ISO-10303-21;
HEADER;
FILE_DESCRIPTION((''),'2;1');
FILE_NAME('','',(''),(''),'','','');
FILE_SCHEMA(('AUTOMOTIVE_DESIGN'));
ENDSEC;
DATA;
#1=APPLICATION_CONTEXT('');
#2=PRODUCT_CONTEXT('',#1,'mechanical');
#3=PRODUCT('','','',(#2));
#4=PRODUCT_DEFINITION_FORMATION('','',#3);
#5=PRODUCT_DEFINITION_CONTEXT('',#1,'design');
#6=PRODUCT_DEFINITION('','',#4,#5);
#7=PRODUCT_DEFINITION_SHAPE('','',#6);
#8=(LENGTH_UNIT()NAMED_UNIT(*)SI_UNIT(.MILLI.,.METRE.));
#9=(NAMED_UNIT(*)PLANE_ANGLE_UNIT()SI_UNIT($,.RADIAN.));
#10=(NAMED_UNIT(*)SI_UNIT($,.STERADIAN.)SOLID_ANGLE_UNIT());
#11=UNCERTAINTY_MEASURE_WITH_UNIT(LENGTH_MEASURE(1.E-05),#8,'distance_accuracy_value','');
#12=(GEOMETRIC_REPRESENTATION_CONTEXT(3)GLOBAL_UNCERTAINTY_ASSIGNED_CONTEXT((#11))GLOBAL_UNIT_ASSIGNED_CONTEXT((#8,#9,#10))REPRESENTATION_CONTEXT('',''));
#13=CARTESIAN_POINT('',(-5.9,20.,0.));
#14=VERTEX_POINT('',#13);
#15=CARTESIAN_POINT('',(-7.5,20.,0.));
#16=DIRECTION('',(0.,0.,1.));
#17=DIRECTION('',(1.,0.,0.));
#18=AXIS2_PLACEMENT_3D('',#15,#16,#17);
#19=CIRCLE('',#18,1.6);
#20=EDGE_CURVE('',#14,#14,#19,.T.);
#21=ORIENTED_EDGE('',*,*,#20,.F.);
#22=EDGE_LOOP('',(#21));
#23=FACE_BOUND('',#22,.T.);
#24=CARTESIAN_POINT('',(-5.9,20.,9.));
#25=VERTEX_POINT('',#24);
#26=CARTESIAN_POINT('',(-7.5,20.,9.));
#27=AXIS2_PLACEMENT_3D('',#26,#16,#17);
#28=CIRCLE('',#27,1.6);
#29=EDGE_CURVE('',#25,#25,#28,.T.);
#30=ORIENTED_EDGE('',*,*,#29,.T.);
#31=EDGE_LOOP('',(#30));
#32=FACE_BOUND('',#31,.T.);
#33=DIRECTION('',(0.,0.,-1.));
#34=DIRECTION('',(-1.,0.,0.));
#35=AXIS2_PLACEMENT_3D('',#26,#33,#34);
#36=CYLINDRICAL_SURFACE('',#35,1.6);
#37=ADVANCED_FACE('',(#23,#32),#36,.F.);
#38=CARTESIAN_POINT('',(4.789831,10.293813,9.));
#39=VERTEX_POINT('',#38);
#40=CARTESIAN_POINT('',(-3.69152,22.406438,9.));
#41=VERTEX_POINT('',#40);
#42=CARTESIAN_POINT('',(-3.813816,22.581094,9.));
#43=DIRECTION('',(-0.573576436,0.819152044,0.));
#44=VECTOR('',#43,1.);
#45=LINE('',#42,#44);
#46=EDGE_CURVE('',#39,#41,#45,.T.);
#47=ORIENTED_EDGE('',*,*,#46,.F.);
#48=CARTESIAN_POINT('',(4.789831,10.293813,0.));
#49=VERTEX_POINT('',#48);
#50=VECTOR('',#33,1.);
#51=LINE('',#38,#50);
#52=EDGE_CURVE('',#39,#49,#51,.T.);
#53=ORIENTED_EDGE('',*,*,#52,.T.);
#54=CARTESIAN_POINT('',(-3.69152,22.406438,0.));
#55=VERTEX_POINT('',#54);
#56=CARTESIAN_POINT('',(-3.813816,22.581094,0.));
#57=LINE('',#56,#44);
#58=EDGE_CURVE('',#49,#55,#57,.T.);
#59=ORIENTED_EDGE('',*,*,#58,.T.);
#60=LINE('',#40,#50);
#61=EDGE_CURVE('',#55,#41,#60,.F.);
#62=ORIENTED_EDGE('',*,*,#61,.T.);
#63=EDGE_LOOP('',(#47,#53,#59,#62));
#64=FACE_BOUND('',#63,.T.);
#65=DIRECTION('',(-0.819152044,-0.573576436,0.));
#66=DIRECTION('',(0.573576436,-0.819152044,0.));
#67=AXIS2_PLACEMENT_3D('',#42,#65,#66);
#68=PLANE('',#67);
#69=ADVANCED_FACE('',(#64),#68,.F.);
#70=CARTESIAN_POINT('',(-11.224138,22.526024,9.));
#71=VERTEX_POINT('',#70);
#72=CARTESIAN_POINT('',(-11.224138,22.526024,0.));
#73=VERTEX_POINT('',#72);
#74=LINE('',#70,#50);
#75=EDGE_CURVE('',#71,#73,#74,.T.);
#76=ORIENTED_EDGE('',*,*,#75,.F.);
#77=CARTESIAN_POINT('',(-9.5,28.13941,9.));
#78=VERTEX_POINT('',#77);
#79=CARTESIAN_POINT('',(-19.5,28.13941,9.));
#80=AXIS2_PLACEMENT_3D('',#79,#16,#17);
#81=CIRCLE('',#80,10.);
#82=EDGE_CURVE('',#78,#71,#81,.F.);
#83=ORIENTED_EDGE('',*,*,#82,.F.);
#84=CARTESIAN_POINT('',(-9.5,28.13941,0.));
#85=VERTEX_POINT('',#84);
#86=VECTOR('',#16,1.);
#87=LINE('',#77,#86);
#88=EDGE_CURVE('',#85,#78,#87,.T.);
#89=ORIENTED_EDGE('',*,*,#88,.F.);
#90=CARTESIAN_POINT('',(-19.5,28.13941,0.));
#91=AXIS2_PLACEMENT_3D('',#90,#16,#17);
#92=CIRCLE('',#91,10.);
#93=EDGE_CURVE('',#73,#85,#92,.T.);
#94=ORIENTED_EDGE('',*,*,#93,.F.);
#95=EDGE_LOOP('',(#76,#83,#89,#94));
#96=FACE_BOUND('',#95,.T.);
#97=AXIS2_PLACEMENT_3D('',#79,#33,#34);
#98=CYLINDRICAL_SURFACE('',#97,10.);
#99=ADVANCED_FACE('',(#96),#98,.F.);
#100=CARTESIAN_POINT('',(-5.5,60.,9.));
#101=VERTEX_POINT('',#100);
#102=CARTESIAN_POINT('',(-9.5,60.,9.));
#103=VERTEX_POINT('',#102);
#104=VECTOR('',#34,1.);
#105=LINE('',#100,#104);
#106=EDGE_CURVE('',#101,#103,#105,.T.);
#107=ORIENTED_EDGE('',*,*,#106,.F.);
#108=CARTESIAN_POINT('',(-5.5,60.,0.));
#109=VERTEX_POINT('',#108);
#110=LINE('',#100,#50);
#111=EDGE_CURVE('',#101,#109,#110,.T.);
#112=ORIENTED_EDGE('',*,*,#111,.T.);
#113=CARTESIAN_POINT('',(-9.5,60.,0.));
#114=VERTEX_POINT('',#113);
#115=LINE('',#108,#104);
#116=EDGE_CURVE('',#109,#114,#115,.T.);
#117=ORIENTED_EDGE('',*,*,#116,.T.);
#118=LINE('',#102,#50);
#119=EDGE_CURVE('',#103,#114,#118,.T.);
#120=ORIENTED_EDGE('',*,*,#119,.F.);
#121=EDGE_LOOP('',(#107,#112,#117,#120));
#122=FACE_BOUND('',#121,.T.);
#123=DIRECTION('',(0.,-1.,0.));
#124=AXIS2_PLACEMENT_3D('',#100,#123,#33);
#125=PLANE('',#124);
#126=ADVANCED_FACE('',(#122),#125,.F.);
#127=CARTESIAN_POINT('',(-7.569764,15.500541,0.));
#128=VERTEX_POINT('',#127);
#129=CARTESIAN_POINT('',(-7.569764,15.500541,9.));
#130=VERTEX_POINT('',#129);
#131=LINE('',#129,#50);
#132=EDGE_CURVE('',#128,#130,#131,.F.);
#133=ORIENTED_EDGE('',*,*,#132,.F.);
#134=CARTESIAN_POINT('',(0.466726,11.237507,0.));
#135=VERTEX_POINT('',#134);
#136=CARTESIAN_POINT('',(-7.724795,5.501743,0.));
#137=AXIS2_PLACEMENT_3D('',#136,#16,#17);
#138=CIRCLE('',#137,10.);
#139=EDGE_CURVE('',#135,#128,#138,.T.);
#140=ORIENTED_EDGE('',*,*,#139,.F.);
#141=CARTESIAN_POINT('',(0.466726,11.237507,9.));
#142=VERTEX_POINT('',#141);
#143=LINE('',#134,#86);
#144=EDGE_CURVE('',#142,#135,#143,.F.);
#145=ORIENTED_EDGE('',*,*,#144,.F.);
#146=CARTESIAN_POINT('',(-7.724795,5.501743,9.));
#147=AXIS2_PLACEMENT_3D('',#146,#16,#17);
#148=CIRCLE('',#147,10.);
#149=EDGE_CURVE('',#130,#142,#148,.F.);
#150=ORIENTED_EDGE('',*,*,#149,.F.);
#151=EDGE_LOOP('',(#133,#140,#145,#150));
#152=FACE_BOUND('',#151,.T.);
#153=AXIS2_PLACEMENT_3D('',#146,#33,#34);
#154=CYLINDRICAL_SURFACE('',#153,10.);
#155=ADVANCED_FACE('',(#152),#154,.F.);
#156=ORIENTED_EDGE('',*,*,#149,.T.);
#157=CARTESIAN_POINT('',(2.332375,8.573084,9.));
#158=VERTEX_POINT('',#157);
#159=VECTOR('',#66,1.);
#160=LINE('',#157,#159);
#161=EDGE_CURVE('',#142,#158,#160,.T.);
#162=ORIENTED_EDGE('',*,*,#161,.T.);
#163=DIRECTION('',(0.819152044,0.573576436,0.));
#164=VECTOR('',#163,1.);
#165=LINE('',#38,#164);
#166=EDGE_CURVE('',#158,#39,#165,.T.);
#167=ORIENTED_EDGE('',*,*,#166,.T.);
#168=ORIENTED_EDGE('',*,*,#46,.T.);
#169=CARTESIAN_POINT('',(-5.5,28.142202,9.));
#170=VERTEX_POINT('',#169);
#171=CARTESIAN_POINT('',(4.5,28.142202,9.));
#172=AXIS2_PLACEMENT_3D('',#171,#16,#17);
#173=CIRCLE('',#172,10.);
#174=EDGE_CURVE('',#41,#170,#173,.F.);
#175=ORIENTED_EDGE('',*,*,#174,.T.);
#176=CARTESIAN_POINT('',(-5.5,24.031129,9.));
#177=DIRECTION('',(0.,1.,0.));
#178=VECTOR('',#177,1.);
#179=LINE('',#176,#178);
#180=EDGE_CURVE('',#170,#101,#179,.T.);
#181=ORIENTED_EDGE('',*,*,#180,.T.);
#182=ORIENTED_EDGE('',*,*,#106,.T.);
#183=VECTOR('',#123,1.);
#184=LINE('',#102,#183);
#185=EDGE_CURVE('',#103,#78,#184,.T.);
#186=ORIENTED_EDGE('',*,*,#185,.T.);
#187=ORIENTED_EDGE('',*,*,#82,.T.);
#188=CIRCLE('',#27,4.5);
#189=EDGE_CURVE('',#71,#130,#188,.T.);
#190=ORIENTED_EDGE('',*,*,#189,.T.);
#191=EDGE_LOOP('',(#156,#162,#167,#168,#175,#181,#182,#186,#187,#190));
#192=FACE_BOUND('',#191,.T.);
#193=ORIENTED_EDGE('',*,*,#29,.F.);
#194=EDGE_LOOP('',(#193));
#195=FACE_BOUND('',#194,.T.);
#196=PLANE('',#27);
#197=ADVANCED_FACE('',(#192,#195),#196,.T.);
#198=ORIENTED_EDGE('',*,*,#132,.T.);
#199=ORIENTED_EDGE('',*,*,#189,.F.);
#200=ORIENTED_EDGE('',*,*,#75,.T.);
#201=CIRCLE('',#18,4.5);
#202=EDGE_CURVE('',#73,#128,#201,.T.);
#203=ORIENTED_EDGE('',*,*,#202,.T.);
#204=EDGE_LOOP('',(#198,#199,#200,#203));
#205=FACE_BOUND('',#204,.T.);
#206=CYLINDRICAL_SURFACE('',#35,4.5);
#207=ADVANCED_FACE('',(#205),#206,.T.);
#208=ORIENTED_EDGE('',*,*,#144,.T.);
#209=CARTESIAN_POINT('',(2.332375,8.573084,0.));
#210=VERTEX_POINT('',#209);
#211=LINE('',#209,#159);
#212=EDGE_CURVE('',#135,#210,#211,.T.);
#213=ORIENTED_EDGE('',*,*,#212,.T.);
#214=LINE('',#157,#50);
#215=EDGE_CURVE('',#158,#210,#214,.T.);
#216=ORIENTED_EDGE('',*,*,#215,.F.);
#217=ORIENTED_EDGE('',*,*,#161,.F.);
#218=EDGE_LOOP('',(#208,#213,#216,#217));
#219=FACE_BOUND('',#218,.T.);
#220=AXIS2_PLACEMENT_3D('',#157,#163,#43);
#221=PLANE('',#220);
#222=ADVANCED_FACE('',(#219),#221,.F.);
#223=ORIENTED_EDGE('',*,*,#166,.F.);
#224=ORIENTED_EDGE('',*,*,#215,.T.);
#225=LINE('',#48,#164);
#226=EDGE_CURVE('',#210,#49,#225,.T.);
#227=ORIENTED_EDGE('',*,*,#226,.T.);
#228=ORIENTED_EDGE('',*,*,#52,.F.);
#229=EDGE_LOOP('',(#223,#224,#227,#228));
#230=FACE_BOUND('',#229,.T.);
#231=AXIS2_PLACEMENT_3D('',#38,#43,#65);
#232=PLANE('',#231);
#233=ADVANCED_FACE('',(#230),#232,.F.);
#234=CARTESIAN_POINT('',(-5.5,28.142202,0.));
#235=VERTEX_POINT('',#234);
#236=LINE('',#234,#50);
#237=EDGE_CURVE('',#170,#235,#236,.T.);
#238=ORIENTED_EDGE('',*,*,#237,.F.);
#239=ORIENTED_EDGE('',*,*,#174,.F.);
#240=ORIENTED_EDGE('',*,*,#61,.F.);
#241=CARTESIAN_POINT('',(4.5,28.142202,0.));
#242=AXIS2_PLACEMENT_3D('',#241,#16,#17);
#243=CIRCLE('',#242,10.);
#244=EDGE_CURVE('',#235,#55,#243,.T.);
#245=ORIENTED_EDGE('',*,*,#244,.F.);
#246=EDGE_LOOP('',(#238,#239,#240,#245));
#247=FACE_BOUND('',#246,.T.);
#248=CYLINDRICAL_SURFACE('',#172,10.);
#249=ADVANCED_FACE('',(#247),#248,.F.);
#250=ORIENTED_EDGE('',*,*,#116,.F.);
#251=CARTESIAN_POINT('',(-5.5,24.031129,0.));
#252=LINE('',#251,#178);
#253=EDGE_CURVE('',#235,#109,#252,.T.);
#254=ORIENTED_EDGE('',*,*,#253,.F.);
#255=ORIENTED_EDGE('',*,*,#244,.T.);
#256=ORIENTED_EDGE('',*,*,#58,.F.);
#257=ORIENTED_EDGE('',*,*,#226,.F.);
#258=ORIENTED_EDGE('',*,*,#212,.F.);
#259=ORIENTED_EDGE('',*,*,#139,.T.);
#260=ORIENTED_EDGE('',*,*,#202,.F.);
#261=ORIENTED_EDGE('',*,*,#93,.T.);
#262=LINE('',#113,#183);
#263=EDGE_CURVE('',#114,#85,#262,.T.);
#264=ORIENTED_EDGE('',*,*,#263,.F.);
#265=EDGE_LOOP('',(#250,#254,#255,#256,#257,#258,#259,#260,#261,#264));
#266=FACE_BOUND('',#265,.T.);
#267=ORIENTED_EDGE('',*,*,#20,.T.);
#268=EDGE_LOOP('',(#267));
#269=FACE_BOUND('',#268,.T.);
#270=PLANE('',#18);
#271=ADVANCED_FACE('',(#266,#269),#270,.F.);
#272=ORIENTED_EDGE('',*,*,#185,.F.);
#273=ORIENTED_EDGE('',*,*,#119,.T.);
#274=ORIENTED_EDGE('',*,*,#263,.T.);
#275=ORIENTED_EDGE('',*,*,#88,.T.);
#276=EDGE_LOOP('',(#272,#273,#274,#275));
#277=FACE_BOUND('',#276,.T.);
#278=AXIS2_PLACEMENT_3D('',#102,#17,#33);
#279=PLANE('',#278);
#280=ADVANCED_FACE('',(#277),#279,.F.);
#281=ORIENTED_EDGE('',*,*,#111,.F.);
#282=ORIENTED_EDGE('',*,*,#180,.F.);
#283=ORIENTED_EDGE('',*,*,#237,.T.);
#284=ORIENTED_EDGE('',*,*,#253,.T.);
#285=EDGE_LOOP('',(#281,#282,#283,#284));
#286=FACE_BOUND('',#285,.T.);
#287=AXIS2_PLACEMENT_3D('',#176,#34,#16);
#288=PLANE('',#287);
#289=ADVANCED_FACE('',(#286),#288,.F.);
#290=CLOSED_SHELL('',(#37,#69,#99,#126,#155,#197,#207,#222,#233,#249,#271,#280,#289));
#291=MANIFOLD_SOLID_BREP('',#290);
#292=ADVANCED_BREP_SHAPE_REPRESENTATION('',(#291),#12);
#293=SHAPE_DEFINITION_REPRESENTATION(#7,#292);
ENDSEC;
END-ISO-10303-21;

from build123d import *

# Parameters (mm, degrees)
SKETCH1_R           = 1.6
BOSS_EXTRUDE1_DEPTH = 9
FILLET1_R           = 10


with BuildPart() as part:
    # Sketch1 → Boss-Extrude1 (new body)
    with BuildSketch(Plane.XY):
        with BuildLine():
            Line((-3.813815801, 22.581093964), (4.789830745, 10.293813299))
            Line((4.789830745, 10.293813299), (2.332374612, 8.57308399))
            Line((2.332374612, 8.57308399), (-3.837793208, 17.384996862))
            ThreePointArc((-3.837793208, 17.384996862), (-10.92541976, 17.081695789), (-9.5, 24.031128874))
            Line((-9.5, 24.031128874), (-9.5, 60))
            Line((-9.5, 60), (-5.5, 60))
            Line((-5.5, 60), (-5.5, 24.031128874))
            ThreePointArc((-5.5, 24.031128874), (-4.565920417, 23.41191691), (-3.813815801, 22.581093964))
        make_face()
        with Locations((-7.5, 20)):
            Circle(SKETCH1_R, mode=Mode.SUBTRACT)
    extrude(amount=BOSS_EXTRUDE1_DEPTH)

    # Fillet1
    fillet1_edges = [part.edges().sort_by_distance(p)[0] for p in [
        (-3.837793208, 17.384996862, 4.5),
        (-9.5, 24.031128874, 4.5),
        (-5.5, 24.031128874, 4.5),
    ]]
    fillet(fillet1_edges, radius=FILLET1_R)


solid = part.part
